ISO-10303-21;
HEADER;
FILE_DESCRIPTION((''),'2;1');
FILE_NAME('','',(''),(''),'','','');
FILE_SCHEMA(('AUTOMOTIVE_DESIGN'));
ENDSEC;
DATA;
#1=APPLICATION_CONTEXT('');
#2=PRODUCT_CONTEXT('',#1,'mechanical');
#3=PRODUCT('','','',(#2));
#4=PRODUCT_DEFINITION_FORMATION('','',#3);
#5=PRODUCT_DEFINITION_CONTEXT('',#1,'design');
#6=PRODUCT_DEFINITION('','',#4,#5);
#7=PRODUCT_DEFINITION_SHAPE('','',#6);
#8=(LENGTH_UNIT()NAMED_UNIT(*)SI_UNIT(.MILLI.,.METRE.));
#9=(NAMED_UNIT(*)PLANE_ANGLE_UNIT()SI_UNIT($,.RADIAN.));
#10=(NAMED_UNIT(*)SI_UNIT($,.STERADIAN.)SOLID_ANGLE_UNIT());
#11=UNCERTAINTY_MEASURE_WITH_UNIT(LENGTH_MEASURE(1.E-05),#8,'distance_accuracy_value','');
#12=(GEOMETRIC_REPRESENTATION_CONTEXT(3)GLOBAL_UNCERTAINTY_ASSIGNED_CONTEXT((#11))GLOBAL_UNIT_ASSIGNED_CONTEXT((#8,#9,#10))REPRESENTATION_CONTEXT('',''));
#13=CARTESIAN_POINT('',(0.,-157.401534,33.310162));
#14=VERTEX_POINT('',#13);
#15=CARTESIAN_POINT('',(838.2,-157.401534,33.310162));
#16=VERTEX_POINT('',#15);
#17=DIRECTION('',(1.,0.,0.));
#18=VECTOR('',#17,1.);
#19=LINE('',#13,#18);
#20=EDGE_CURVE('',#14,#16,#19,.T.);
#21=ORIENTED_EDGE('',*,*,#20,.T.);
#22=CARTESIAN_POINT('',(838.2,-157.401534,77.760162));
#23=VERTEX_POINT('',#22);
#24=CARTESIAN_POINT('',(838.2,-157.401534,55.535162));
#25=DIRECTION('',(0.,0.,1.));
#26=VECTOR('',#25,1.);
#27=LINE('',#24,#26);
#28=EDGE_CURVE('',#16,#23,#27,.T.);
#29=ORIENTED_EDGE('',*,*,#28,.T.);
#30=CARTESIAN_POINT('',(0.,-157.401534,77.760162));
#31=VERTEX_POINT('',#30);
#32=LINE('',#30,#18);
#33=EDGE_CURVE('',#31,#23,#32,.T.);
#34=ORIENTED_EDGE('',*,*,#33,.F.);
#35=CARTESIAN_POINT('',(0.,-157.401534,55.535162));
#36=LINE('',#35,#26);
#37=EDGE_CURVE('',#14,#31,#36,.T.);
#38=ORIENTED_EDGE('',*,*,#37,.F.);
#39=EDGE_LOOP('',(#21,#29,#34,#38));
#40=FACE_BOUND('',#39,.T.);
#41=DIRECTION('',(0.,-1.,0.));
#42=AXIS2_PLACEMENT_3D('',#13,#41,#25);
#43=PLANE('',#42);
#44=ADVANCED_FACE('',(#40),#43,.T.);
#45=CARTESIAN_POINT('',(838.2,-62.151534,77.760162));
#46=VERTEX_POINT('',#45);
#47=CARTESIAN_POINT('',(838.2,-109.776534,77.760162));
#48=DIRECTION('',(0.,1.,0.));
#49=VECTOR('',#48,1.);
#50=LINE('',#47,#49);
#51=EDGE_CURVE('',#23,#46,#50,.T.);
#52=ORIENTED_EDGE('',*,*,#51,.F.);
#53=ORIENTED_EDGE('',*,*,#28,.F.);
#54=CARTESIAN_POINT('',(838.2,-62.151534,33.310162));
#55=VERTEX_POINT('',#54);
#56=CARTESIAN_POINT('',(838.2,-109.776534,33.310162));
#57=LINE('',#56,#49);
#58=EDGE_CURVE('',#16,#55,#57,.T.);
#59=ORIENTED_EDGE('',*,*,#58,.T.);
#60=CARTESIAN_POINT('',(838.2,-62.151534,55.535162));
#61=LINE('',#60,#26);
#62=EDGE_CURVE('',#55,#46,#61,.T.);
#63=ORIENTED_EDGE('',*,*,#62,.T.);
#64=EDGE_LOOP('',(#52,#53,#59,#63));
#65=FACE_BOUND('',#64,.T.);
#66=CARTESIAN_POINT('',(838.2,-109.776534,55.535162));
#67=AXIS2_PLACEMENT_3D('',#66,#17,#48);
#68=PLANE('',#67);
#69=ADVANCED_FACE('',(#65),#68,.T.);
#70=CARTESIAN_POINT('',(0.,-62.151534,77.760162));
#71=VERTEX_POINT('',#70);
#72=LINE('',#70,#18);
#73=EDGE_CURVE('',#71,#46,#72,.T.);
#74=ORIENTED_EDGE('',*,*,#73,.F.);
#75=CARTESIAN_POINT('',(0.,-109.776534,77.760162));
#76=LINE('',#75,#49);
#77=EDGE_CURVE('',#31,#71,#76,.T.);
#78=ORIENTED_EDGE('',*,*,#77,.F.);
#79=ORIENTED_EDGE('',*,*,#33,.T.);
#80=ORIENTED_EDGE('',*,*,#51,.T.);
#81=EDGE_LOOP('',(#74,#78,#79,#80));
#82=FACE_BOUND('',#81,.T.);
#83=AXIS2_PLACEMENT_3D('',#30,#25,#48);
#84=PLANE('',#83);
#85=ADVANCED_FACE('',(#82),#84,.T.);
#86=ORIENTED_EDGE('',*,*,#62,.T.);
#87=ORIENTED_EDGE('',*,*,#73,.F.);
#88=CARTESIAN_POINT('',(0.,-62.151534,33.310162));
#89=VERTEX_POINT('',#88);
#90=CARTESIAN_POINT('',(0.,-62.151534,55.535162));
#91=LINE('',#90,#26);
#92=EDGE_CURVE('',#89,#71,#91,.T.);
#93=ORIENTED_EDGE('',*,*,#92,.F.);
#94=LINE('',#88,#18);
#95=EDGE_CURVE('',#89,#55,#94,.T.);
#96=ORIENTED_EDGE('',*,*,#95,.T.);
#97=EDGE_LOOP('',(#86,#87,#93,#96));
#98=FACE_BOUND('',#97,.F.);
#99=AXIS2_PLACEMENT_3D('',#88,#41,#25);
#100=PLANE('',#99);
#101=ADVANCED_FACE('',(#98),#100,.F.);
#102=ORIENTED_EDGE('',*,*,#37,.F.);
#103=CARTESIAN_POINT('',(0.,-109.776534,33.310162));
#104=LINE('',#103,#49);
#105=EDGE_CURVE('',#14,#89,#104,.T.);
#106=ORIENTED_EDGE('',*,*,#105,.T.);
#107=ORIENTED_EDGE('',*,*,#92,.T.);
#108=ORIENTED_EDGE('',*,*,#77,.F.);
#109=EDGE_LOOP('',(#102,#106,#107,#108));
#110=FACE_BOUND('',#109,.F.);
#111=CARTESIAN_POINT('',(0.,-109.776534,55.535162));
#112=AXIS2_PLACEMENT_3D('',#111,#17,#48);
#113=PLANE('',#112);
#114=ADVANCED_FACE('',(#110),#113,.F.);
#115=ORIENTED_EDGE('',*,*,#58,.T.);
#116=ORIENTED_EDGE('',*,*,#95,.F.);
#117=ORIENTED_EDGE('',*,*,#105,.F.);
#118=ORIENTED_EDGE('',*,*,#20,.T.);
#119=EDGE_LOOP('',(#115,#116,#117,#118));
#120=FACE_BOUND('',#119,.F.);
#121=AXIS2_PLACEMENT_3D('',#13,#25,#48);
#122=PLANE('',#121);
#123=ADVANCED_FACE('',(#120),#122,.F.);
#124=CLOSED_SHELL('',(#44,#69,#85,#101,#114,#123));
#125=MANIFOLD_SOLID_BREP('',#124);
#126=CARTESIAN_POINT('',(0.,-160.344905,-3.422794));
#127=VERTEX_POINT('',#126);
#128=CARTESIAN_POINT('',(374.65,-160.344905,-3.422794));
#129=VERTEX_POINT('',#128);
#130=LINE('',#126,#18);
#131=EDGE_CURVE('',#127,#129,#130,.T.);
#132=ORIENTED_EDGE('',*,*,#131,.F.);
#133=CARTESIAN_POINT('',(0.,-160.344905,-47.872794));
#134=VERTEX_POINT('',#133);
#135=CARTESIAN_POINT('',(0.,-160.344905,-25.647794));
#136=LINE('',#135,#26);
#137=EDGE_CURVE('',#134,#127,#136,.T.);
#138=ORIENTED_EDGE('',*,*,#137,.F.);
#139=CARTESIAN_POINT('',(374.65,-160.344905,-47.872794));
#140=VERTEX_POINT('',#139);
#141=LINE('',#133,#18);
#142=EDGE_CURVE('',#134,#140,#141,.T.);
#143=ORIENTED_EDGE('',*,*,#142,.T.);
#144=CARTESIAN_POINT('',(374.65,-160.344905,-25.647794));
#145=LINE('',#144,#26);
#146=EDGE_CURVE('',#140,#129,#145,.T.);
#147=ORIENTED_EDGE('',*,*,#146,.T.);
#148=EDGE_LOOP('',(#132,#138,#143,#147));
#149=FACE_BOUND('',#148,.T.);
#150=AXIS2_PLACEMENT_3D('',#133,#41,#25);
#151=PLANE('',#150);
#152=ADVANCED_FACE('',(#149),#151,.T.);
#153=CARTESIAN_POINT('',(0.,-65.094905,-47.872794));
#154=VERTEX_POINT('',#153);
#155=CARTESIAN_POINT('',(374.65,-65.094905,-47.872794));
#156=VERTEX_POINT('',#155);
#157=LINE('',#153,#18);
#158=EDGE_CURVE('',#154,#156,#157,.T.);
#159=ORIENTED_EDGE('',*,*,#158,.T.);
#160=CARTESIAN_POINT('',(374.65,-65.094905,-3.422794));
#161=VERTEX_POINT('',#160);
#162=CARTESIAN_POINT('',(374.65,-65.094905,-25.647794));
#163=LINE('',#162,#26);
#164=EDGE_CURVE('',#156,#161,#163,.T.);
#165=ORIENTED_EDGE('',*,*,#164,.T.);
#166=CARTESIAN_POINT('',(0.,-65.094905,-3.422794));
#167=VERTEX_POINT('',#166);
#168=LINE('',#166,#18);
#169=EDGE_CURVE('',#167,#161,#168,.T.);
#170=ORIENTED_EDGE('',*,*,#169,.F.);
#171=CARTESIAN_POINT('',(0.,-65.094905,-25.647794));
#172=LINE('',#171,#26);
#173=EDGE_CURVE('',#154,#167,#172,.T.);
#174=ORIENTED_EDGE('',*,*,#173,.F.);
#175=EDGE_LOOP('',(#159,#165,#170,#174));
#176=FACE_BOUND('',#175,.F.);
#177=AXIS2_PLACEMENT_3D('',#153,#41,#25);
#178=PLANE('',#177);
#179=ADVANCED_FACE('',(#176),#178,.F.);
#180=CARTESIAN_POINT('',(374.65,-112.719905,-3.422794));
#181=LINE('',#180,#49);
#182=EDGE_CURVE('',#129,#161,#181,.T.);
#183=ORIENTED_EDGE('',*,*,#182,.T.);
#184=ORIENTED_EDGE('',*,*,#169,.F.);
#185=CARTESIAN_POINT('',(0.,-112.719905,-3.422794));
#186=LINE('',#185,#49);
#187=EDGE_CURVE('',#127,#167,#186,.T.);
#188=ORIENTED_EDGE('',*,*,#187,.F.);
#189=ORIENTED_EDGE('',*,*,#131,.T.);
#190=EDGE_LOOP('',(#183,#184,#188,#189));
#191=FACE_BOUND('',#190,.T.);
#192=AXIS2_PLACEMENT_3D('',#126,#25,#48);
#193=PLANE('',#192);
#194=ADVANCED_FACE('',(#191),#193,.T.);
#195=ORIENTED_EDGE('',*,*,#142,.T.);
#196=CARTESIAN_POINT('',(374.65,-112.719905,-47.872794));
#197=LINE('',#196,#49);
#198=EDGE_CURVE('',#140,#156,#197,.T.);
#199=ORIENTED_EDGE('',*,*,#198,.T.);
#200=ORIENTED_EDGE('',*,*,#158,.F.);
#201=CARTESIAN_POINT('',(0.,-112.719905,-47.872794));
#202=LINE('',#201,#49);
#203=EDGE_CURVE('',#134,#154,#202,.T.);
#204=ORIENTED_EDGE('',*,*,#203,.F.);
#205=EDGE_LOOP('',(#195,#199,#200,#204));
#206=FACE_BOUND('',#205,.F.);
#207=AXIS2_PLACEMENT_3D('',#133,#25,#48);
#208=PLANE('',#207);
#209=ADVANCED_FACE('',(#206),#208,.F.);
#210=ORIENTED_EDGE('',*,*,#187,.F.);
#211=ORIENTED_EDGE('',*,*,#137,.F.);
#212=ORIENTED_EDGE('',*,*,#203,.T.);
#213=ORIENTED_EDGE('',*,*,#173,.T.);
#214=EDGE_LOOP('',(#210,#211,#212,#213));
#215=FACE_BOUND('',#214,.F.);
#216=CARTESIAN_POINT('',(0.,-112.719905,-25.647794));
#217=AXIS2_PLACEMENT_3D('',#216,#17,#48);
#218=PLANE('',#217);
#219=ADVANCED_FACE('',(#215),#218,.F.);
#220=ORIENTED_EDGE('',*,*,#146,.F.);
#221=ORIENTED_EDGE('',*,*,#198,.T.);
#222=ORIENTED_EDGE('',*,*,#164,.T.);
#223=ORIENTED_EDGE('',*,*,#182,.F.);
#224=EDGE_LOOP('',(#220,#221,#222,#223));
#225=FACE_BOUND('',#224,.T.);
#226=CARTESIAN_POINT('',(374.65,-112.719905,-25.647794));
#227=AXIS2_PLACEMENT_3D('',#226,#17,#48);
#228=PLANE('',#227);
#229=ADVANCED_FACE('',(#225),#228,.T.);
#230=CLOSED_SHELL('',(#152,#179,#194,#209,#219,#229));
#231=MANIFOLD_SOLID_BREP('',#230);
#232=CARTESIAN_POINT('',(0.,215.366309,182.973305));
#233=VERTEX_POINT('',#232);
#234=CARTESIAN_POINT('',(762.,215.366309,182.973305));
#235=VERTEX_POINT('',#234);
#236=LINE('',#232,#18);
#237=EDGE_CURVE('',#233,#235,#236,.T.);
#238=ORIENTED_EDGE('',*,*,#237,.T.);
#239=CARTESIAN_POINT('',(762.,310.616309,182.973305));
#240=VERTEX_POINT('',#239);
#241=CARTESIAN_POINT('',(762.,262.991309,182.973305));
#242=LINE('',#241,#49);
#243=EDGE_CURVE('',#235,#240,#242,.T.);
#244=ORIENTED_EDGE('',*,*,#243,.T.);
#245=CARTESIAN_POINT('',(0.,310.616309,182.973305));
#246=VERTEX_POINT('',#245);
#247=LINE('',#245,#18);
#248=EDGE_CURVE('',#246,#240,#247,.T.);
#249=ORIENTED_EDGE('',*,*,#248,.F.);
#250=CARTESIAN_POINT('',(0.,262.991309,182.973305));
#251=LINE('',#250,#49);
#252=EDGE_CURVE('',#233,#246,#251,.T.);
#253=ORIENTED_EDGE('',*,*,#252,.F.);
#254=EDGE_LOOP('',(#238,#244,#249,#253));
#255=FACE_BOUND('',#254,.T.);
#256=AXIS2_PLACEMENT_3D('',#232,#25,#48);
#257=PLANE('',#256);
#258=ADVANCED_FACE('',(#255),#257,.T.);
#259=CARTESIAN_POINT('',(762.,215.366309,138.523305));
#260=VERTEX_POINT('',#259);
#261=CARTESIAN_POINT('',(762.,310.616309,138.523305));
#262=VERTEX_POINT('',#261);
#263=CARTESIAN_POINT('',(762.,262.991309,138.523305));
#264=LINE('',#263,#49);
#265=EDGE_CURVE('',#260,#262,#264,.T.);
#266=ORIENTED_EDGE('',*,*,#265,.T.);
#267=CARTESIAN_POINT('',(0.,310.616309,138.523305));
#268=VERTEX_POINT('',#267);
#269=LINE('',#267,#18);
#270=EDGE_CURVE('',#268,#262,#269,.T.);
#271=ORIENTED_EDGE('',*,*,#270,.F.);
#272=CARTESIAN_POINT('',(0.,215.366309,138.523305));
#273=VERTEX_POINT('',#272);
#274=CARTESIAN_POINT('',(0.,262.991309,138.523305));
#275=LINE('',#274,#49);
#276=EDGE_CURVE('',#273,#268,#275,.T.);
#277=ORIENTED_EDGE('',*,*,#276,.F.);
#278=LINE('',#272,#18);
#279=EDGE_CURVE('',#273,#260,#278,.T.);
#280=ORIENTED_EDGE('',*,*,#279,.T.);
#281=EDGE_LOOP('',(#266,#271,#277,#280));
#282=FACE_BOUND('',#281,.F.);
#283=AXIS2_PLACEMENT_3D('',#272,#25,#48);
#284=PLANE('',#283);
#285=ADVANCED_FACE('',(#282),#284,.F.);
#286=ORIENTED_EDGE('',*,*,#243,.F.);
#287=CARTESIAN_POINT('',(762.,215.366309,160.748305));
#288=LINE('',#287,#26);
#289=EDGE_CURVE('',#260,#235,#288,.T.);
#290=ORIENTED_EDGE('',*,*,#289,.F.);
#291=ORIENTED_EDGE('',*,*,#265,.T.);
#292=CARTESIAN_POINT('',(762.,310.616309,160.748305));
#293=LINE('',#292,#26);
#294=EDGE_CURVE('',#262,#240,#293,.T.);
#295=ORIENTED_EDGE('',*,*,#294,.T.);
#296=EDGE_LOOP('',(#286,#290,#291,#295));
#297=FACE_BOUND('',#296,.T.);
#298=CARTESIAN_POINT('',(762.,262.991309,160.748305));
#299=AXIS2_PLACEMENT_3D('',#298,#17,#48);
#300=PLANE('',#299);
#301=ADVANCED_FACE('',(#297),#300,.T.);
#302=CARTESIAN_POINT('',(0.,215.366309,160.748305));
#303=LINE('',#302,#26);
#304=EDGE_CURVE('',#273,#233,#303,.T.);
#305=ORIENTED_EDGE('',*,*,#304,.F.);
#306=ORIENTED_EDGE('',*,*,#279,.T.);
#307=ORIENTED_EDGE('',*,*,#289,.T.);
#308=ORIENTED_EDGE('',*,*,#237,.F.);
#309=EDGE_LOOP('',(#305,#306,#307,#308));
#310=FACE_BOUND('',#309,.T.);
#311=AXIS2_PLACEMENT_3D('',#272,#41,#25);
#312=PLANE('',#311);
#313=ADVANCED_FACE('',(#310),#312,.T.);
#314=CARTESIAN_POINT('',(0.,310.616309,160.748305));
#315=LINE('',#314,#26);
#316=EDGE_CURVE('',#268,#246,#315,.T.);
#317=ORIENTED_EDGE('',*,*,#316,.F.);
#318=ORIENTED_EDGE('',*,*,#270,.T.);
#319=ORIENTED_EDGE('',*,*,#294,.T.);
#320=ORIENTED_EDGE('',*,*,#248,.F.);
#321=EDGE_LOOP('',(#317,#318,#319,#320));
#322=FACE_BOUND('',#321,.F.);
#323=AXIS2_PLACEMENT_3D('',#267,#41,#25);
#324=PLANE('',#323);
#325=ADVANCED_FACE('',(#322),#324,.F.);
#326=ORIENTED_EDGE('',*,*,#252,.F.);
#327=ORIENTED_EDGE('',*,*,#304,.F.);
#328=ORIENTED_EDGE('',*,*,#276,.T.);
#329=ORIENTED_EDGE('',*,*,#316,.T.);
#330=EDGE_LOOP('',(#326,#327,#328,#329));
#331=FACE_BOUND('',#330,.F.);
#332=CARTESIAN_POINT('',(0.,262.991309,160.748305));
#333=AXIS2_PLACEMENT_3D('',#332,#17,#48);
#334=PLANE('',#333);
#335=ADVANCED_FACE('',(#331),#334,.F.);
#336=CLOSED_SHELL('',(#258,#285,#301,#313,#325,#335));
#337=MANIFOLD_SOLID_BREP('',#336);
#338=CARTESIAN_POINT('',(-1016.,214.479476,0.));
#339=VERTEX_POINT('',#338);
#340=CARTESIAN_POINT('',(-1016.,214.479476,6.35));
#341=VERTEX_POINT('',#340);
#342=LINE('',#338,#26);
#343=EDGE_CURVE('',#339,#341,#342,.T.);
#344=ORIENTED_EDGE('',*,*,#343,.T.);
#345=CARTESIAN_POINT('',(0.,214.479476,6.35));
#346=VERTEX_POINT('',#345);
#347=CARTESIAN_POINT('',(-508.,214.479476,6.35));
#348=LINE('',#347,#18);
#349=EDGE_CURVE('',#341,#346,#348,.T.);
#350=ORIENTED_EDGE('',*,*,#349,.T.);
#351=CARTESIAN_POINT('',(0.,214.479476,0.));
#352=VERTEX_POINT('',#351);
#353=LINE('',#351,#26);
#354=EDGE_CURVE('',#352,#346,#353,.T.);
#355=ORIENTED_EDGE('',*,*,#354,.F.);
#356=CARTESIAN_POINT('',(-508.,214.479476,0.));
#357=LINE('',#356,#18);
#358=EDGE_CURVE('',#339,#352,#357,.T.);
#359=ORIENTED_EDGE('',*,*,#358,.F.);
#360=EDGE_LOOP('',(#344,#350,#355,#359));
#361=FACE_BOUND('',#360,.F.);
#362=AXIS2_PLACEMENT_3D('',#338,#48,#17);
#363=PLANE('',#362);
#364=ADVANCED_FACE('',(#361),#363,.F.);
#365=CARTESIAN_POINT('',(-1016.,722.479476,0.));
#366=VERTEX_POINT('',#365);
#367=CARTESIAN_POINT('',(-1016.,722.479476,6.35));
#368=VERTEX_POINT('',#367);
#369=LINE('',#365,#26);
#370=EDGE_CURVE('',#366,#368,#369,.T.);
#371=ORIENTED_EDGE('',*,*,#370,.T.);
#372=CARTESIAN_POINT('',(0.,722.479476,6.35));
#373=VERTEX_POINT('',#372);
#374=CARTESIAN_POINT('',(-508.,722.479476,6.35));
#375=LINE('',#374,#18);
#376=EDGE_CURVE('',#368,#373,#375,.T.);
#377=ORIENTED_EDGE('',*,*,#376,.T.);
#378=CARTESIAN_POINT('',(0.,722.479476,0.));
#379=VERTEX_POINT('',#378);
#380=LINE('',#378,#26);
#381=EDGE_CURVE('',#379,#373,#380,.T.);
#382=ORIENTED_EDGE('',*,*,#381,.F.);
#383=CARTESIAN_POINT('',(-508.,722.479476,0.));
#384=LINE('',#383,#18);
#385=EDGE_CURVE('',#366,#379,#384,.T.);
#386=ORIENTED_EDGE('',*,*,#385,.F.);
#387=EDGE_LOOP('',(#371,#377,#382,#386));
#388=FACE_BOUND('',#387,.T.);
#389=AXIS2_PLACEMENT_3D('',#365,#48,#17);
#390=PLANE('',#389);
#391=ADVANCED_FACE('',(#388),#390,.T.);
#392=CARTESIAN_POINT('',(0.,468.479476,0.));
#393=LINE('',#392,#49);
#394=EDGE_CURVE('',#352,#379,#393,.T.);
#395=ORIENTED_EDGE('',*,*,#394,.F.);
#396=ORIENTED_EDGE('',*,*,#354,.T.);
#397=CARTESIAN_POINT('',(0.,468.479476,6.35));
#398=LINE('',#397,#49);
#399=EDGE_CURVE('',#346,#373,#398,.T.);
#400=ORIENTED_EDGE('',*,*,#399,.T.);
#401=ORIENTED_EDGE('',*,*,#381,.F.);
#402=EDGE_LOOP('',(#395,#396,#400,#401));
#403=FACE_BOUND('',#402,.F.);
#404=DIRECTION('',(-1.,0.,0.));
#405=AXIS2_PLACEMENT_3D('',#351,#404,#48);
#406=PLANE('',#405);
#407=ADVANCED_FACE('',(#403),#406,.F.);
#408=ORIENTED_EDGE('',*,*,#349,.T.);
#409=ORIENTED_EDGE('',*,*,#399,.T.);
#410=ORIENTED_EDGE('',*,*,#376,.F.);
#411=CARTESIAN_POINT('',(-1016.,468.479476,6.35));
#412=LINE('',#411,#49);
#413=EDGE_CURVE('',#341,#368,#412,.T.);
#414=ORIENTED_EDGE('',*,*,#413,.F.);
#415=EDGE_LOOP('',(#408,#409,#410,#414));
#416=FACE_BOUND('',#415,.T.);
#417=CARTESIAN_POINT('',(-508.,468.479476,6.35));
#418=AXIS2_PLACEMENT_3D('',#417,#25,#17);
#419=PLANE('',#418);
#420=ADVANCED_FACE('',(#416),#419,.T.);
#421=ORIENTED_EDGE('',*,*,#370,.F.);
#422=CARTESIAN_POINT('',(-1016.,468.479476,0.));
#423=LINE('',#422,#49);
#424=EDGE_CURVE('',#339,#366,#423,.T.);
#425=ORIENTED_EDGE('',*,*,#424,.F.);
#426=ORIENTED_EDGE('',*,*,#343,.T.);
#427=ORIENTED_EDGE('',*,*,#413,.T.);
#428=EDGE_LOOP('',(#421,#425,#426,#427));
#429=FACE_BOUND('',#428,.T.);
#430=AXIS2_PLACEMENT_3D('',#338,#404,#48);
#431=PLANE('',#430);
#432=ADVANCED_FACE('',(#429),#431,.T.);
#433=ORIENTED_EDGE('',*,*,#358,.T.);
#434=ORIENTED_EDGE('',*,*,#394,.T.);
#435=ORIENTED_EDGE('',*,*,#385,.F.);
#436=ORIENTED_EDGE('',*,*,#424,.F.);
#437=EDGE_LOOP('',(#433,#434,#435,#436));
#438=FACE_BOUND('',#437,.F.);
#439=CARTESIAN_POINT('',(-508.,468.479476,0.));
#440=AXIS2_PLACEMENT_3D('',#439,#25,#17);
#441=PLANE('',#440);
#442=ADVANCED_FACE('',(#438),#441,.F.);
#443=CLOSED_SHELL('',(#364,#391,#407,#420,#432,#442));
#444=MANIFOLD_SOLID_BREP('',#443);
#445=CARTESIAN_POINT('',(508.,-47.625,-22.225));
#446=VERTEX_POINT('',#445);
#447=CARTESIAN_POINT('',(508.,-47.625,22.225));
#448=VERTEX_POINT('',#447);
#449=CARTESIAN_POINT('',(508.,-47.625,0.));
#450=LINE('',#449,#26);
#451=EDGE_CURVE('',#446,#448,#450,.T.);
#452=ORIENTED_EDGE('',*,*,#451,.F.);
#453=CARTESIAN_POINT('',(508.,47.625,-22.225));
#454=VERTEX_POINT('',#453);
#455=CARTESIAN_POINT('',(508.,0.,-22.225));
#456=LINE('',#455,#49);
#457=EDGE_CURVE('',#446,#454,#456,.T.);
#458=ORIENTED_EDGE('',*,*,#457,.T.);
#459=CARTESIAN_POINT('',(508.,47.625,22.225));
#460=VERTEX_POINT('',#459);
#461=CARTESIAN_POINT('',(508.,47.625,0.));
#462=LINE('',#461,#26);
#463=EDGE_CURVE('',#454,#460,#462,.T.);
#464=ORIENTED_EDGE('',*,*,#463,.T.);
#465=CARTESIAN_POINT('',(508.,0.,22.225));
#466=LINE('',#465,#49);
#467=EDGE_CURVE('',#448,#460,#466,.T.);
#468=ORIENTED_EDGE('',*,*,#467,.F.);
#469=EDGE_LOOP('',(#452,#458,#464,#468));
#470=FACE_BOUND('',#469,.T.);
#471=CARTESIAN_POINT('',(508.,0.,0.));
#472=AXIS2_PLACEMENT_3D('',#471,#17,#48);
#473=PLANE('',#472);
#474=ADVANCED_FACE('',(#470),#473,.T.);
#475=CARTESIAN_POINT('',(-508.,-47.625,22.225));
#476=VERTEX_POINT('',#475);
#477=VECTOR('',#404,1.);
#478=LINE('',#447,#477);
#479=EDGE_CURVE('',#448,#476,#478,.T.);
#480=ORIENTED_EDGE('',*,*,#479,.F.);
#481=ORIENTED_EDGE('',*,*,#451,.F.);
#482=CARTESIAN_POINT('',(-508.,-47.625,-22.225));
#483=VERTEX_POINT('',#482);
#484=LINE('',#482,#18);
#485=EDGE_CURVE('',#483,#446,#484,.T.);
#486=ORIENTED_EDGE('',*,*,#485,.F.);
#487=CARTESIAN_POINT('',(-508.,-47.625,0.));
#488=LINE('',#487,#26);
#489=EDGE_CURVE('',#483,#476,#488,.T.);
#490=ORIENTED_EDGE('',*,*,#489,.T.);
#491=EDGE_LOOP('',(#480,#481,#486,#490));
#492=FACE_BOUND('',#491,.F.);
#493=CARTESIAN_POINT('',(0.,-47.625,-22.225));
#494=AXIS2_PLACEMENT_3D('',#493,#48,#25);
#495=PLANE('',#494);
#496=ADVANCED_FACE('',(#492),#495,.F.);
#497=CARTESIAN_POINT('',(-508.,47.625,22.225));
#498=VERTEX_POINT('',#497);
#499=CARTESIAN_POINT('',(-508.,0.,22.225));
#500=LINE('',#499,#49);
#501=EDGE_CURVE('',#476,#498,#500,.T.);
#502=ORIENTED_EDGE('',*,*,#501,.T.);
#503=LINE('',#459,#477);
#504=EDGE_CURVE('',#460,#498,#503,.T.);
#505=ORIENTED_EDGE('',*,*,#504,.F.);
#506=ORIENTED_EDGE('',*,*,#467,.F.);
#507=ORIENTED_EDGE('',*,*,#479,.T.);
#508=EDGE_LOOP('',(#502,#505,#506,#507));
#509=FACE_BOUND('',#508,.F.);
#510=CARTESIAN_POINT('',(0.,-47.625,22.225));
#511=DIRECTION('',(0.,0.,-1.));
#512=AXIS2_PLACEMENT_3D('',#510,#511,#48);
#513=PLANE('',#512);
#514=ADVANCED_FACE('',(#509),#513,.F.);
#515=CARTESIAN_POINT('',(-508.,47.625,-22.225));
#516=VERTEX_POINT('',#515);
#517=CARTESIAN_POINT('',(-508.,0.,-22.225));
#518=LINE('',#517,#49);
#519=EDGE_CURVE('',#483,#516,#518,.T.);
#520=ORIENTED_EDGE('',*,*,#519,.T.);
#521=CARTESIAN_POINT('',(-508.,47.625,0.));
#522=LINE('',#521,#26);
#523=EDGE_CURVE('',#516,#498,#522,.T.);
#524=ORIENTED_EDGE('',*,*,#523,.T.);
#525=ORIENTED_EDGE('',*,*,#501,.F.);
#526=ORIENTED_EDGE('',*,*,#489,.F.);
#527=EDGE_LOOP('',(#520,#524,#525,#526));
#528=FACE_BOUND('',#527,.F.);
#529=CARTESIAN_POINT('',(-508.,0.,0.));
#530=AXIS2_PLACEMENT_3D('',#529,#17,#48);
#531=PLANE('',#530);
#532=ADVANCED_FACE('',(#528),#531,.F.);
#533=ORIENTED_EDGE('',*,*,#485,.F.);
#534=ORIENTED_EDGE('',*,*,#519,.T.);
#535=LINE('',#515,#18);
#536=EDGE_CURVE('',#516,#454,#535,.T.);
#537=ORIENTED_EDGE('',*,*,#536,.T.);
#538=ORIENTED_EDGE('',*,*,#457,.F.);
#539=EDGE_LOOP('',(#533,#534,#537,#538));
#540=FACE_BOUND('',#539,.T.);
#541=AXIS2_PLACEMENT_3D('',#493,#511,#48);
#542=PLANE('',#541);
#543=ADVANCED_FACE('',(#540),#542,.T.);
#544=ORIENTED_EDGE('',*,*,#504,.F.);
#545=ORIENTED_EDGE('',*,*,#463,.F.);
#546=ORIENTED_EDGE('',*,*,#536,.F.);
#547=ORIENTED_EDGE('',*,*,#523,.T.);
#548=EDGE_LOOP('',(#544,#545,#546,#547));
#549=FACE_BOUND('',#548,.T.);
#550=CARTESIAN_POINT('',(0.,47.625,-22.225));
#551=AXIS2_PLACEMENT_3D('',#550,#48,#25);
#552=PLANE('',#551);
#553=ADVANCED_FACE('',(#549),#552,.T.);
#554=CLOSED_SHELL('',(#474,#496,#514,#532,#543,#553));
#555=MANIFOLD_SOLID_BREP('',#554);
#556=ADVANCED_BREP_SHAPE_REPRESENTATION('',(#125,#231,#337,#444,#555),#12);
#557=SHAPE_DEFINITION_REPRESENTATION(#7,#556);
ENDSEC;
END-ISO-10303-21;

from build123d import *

# Parameters (mm, degrees)
F0_W     = 95.25
F0_H     = 44.45
F1_DEPTH = 508
F2_W     = 95.25
F2_H     = 44.45
F3_DEPTH = 762
F4_W     = 95.25
F4_H     = 44.45
F5_DEPTH = 838.2
F6_W     = 95.25
F6_H     = 44.45
F7_DEPTH = 374.65
F8_W     = 1016
F8_H     = 508
F9_DEPTH = 6.35


with BuildPart() as f1:
    # F0 (on Right) → F1 (new body, symmetric)
    with BuildSketch(Plane.YZ):
        Rectangle(F0_W, F0_H)
    extrude(amount=F1_DEPTH, both=True)


with BuildPart() as f3:
    # F2 (on Right) → F3 (new body)
    with BuildSketch(Plane.YZ):
        with Locations((262.991309, 160.748305)):
            Rectangle(F2_W, F2_H)
    extrude(amount=F3_DEPTH)


with BuildPart() as f5:
    # F4 (on Right) → F5 (new body)
    with BuildSketch(Plane.YZ):
        with Locations((-109.776534, 55.535162)):
            Rectangle(F4_W, F4_H)
    extrude(amount=F5_DEPTH)


with BuildPart() as f7:
    # F6 (on Right) → F7 (new body)
    with BuildSketch(Plane.YZ):
        with Locations((-112.719905, -25.647794)):
            Rectangle(F6_W, F6_H)
    extrude(amount=F7_DEPTH)


with BuildPart() as f9:
    # F8 (on Top) → F9 (new body)
    with BuildSketch(Plane.XY):
        with Locations((-508, 468.479476)):
            Rectangle(F8_W, F8_H)
    extrude(amount=F9_DEPTH)


solid = Compound([f1.part, f3.part, f5.part, f7.part, f9.part])
